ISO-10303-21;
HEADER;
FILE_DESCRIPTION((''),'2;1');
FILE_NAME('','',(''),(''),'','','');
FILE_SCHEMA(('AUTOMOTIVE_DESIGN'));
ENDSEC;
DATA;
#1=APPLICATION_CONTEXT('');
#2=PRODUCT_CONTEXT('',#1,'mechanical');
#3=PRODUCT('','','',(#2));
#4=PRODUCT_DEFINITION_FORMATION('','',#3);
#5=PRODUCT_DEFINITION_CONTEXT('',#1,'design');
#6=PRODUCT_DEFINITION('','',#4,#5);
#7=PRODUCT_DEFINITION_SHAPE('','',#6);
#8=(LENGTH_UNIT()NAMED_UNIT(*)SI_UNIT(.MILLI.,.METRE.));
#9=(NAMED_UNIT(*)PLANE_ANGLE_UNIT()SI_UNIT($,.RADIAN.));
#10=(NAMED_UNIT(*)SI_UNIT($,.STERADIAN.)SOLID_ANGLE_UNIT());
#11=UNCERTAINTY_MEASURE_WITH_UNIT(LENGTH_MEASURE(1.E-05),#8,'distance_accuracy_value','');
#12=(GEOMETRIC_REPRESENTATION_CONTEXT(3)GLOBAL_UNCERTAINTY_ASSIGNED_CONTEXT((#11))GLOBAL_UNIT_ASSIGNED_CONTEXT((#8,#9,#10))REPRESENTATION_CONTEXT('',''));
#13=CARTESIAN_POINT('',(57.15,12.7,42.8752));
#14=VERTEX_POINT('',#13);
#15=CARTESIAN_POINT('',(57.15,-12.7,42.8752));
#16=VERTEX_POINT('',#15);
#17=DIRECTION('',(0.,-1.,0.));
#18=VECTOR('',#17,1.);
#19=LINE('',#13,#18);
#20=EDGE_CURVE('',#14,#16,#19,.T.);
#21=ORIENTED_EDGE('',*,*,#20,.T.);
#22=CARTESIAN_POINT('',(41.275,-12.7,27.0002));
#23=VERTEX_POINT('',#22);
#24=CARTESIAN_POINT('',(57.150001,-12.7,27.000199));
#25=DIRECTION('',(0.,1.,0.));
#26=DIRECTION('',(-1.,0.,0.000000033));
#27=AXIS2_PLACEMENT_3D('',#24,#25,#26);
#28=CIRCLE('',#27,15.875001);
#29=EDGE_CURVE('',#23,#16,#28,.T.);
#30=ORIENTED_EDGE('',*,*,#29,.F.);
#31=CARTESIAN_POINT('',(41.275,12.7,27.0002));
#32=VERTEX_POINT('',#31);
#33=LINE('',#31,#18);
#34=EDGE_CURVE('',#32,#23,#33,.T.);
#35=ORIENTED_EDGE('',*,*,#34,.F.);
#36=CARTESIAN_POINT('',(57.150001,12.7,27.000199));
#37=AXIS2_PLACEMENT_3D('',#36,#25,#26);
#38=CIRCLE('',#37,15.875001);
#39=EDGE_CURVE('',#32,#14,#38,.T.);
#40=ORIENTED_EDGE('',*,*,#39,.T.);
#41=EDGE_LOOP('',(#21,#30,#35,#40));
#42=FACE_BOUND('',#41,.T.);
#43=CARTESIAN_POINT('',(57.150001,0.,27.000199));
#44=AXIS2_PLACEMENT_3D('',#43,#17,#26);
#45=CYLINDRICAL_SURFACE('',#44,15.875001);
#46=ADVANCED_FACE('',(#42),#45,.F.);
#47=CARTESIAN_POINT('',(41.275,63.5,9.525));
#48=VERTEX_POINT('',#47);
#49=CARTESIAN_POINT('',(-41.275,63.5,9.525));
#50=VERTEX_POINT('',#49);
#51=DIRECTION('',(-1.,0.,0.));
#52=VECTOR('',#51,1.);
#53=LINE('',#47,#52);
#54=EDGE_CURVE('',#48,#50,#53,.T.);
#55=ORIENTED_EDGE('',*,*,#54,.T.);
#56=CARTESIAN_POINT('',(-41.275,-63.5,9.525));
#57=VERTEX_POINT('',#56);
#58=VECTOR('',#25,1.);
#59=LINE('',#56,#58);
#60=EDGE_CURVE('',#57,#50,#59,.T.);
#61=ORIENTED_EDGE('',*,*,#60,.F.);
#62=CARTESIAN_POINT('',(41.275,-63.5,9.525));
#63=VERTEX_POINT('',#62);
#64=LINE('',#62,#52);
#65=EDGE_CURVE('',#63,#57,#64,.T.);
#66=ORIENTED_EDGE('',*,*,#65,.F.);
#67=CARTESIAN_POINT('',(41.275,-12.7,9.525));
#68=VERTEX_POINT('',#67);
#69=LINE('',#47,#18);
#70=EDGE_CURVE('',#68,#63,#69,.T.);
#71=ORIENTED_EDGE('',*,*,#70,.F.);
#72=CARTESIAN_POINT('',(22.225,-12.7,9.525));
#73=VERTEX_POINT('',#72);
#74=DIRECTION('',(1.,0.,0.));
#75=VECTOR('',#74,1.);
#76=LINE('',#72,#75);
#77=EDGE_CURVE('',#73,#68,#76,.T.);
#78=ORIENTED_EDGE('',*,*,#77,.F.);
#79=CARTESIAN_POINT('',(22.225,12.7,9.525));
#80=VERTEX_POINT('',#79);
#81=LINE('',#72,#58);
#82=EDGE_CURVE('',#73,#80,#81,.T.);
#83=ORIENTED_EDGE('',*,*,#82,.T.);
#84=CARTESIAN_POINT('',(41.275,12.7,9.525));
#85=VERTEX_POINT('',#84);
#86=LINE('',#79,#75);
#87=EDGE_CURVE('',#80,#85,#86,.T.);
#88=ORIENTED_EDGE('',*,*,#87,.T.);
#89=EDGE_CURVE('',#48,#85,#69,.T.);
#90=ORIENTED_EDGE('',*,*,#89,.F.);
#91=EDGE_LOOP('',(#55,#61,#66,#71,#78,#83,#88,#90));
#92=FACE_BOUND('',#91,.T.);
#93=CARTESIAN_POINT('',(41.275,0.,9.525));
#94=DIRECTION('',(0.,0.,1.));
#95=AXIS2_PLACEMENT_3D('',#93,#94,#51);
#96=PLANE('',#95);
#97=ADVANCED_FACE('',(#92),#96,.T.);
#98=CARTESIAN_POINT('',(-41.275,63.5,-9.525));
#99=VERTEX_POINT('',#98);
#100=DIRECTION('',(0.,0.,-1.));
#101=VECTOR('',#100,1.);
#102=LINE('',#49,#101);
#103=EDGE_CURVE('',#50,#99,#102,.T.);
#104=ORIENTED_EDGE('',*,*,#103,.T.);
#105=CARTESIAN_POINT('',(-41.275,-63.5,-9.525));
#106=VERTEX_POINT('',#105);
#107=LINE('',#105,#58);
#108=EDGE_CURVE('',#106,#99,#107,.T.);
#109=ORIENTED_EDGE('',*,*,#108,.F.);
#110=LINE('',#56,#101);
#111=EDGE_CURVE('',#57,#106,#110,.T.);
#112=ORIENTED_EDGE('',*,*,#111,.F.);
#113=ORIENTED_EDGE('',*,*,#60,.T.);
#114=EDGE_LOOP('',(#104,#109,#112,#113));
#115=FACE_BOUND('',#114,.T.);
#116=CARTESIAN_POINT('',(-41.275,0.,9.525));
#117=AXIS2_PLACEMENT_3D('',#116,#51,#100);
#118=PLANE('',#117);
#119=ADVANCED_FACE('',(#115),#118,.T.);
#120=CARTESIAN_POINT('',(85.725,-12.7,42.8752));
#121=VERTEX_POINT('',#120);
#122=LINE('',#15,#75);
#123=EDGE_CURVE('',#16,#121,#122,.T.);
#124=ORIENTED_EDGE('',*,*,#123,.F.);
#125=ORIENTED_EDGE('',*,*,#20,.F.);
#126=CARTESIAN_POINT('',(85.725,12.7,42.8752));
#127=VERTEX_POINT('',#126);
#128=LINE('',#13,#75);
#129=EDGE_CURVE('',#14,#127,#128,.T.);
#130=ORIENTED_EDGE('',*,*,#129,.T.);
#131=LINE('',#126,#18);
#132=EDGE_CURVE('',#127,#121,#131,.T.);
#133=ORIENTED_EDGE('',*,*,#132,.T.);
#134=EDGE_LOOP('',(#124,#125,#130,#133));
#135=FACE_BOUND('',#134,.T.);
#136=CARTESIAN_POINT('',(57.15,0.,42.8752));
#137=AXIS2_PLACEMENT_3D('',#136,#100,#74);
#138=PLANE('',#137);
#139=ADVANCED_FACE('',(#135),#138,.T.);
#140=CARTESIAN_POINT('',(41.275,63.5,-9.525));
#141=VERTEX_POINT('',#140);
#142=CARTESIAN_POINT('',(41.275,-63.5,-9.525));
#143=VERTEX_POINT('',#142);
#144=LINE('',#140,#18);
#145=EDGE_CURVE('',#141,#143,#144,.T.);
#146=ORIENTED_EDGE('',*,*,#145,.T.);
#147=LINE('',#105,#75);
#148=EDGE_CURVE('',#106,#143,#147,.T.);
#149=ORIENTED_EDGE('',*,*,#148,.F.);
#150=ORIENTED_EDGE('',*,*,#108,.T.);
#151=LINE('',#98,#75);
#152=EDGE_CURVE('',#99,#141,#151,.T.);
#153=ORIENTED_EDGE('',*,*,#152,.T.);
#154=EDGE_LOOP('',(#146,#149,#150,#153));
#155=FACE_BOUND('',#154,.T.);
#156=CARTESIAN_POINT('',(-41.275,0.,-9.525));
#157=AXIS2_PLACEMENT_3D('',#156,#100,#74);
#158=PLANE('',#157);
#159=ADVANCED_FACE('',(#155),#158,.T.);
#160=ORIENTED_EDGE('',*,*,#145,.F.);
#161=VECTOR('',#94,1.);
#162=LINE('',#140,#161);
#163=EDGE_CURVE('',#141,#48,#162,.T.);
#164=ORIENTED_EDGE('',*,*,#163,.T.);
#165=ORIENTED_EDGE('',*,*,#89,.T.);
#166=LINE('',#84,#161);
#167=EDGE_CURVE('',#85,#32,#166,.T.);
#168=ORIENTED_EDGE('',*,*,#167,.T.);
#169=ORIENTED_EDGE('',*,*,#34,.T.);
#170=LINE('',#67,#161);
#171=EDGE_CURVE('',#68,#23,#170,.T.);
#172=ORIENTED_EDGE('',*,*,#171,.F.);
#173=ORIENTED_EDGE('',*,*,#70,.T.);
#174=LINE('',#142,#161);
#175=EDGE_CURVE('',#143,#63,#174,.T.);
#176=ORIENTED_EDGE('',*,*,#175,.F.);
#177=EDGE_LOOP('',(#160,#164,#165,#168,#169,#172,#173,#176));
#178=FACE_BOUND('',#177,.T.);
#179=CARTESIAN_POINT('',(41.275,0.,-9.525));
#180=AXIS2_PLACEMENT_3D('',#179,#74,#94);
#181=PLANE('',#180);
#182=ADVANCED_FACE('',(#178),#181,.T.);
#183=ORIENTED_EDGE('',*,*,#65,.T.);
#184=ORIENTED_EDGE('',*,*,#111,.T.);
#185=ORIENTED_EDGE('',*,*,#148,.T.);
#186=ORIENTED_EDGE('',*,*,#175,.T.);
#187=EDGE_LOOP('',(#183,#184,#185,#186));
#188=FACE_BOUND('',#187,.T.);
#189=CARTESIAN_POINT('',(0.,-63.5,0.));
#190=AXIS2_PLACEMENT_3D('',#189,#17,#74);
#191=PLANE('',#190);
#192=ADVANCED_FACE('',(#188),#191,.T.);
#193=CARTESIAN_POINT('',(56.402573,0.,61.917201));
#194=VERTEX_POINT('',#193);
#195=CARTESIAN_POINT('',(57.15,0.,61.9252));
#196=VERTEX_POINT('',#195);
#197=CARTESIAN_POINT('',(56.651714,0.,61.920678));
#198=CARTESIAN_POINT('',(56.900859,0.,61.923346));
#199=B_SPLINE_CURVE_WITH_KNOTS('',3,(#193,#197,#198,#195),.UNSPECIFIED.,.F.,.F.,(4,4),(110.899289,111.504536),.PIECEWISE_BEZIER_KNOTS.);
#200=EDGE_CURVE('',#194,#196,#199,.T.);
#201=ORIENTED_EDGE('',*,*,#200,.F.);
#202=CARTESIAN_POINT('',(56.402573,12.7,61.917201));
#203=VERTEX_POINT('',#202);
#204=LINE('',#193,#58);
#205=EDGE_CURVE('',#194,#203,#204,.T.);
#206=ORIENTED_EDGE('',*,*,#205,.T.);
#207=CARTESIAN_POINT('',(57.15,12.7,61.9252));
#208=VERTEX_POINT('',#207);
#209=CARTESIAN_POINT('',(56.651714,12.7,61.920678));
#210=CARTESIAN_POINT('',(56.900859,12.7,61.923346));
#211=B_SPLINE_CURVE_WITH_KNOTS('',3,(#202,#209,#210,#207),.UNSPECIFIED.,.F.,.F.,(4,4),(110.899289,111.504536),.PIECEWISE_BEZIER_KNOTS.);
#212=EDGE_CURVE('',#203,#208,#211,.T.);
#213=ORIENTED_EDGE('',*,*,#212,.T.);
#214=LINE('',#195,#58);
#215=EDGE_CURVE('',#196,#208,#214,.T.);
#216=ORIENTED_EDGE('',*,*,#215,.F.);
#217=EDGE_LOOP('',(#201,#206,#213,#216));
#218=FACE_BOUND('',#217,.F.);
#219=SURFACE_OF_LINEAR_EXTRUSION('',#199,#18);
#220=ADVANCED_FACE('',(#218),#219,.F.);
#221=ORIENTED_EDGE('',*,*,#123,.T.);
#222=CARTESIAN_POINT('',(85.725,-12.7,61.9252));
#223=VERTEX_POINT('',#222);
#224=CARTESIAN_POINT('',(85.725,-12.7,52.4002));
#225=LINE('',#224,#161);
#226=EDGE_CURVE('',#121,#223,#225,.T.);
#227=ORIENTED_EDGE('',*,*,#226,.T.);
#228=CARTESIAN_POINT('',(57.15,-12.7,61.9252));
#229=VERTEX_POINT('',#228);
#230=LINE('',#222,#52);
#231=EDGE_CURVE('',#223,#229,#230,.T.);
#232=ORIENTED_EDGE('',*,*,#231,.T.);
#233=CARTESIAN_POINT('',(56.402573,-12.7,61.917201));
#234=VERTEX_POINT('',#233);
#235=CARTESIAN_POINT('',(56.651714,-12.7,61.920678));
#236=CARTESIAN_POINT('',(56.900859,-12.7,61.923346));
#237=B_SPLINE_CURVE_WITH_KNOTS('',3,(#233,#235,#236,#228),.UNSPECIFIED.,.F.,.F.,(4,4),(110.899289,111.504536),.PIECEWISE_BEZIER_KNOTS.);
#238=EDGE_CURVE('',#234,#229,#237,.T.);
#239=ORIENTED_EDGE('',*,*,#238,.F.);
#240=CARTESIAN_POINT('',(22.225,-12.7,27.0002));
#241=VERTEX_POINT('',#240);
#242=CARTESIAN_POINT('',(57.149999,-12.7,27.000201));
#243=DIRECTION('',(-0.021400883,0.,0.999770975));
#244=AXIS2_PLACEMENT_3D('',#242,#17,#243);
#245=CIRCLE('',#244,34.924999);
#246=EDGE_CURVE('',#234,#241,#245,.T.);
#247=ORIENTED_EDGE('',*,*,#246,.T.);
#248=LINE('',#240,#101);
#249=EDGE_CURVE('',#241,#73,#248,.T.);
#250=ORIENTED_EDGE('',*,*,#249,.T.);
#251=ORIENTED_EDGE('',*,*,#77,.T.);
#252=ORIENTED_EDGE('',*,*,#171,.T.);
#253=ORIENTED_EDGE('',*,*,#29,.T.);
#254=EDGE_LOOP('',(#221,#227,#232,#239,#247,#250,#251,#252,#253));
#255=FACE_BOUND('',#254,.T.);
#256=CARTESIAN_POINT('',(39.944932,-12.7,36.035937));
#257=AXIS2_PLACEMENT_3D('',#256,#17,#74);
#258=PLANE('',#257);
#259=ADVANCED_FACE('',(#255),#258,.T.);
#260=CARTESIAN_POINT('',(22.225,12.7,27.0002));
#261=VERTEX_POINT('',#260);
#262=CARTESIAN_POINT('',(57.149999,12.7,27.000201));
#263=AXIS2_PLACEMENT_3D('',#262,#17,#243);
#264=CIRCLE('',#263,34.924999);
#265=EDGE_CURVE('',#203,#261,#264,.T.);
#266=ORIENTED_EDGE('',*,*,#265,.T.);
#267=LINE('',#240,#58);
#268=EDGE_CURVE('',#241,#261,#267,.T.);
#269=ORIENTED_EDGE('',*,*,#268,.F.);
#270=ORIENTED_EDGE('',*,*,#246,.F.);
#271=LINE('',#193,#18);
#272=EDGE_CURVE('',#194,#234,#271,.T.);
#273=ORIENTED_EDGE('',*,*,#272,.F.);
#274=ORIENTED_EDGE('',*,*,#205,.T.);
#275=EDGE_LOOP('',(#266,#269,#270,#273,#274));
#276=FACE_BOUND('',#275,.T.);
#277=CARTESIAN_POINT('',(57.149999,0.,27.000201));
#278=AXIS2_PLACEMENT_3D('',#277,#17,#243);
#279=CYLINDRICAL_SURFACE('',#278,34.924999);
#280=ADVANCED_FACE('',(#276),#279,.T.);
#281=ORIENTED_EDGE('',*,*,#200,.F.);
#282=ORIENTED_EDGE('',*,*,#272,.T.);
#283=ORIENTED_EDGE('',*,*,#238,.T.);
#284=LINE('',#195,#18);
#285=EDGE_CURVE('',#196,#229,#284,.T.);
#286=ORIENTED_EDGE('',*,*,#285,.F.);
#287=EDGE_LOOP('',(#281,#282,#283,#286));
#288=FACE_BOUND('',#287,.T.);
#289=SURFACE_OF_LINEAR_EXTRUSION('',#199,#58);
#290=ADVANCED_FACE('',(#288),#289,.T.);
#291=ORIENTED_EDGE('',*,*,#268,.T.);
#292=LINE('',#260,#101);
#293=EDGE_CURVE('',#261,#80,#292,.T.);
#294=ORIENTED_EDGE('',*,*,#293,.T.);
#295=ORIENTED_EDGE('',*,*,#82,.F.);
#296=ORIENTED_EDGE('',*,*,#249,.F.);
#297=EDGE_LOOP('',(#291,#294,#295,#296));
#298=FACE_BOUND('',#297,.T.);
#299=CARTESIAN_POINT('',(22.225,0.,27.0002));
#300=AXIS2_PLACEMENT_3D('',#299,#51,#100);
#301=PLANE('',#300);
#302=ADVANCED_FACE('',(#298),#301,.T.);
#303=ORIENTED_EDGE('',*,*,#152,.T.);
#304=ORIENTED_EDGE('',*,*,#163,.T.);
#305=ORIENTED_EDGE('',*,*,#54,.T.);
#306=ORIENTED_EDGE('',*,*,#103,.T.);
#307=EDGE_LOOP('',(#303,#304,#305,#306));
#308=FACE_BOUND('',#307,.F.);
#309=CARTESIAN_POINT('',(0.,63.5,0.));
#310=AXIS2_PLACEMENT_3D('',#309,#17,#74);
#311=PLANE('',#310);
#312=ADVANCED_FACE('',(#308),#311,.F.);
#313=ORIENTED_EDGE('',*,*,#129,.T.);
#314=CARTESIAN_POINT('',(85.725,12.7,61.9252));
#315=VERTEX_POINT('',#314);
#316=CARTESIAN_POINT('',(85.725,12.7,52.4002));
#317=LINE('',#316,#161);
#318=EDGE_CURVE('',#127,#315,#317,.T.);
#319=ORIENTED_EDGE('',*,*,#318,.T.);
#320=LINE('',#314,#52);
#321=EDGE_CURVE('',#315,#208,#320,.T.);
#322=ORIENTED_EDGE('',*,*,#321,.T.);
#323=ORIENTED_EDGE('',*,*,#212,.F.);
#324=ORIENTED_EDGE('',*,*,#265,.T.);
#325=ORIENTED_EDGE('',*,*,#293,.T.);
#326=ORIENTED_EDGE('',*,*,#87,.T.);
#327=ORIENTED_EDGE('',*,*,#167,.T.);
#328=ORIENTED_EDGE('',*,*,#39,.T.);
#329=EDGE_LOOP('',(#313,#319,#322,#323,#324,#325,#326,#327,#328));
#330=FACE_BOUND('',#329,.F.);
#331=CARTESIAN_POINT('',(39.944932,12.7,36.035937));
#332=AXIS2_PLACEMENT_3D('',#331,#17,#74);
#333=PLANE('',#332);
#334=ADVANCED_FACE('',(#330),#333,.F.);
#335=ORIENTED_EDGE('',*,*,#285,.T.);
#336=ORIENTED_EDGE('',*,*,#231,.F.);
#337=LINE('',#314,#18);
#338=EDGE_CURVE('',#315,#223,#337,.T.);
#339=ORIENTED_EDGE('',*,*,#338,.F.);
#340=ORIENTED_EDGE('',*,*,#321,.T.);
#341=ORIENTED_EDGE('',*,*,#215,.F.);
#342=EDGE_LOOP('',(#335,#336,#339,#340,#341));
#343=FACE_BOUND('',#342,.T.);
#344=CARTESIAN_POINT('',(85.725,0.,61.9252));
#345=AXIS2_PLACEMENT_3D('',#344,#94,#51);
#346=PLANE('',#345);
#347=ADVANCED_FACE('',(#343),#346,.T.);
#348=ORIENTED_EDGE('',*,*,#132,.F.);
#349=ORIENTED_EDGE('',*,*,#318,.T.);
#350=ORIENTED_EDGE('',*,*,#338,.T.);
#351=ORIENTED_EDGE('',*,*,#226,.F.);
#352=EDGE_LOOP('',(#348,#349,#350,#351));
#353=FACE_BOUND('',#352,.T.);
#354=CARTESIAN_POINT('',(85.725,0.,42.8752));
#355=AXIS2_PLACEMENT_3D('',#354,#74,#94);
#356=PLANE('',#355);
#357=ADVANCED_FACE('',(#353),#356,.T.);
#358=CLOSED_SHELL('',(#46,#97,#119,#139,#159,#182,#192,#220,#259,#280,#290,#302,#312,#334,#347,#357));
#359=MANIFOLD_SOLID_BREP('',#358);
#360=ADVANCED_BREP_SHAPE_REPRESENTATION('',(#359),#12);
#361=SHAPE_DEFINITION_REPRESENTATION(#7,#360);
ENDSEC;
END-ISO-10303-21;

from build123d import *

# Parameters (mm, degrees)
F1_DEPTH = 63.5
F0_W     = 25.4
F0_H     = 19.05
F2_DEPTH = 12.7


with BuildPart() as f1:
    # F0 (on Front) → F1 (new body, symmetric)
    with BuildSketch(Plane.XZ):
        Polygon((-41.275, -9.525), (41.275, -9.525), (41.275, 9.525), (22.225, 9.525), (-41.275, 9.525), align=None)
    extrude(amount=F1_DEPTH, both=True)

    # F0 (on Front) → F2 (join, symmetric)
    with BuildSketch(Plane.XZ):
        with BuildLine():
            Line((22.225, 9.525), (41.275, 9.525))
            Line((41.275, 9.525), (41.275, 27.0002))
            ThreePointArc((41.275, 27.0002), (45.92468, 38.22552), (57.15, 42.8752))
            Line((57.15, 42.8752), (60.325, 42.8752))
            Line((60.325, 42.8752), (60.325, 61.9252))
            Line((60.325, 61.9252), (57.15, 61.9252))
            add(Edge.make_bspline(
                [(56.402573, 61.917201), (56.651714, 61.920678), (56.900859, 61.923346), (57.15, 61.9252)],
                knots=[110.899289, 110.899289, 110.899289, 110.899289, 111.504536, 111.504536, 111.504536, 111.504536], degree=3))
            ThreePointArc((56.402573, 61.917201), (32.191439, 51.43022), (22.225, 27.0002))
            Line((22.225, 27.0002), (22.225, 9.525))
        make_face()
        with Locations((73.025, 52.4002)):
            Rectangle(F0_W, F0_H)
    extrude(amount=F2_DEPTH, both=True)


solid = f1.part
